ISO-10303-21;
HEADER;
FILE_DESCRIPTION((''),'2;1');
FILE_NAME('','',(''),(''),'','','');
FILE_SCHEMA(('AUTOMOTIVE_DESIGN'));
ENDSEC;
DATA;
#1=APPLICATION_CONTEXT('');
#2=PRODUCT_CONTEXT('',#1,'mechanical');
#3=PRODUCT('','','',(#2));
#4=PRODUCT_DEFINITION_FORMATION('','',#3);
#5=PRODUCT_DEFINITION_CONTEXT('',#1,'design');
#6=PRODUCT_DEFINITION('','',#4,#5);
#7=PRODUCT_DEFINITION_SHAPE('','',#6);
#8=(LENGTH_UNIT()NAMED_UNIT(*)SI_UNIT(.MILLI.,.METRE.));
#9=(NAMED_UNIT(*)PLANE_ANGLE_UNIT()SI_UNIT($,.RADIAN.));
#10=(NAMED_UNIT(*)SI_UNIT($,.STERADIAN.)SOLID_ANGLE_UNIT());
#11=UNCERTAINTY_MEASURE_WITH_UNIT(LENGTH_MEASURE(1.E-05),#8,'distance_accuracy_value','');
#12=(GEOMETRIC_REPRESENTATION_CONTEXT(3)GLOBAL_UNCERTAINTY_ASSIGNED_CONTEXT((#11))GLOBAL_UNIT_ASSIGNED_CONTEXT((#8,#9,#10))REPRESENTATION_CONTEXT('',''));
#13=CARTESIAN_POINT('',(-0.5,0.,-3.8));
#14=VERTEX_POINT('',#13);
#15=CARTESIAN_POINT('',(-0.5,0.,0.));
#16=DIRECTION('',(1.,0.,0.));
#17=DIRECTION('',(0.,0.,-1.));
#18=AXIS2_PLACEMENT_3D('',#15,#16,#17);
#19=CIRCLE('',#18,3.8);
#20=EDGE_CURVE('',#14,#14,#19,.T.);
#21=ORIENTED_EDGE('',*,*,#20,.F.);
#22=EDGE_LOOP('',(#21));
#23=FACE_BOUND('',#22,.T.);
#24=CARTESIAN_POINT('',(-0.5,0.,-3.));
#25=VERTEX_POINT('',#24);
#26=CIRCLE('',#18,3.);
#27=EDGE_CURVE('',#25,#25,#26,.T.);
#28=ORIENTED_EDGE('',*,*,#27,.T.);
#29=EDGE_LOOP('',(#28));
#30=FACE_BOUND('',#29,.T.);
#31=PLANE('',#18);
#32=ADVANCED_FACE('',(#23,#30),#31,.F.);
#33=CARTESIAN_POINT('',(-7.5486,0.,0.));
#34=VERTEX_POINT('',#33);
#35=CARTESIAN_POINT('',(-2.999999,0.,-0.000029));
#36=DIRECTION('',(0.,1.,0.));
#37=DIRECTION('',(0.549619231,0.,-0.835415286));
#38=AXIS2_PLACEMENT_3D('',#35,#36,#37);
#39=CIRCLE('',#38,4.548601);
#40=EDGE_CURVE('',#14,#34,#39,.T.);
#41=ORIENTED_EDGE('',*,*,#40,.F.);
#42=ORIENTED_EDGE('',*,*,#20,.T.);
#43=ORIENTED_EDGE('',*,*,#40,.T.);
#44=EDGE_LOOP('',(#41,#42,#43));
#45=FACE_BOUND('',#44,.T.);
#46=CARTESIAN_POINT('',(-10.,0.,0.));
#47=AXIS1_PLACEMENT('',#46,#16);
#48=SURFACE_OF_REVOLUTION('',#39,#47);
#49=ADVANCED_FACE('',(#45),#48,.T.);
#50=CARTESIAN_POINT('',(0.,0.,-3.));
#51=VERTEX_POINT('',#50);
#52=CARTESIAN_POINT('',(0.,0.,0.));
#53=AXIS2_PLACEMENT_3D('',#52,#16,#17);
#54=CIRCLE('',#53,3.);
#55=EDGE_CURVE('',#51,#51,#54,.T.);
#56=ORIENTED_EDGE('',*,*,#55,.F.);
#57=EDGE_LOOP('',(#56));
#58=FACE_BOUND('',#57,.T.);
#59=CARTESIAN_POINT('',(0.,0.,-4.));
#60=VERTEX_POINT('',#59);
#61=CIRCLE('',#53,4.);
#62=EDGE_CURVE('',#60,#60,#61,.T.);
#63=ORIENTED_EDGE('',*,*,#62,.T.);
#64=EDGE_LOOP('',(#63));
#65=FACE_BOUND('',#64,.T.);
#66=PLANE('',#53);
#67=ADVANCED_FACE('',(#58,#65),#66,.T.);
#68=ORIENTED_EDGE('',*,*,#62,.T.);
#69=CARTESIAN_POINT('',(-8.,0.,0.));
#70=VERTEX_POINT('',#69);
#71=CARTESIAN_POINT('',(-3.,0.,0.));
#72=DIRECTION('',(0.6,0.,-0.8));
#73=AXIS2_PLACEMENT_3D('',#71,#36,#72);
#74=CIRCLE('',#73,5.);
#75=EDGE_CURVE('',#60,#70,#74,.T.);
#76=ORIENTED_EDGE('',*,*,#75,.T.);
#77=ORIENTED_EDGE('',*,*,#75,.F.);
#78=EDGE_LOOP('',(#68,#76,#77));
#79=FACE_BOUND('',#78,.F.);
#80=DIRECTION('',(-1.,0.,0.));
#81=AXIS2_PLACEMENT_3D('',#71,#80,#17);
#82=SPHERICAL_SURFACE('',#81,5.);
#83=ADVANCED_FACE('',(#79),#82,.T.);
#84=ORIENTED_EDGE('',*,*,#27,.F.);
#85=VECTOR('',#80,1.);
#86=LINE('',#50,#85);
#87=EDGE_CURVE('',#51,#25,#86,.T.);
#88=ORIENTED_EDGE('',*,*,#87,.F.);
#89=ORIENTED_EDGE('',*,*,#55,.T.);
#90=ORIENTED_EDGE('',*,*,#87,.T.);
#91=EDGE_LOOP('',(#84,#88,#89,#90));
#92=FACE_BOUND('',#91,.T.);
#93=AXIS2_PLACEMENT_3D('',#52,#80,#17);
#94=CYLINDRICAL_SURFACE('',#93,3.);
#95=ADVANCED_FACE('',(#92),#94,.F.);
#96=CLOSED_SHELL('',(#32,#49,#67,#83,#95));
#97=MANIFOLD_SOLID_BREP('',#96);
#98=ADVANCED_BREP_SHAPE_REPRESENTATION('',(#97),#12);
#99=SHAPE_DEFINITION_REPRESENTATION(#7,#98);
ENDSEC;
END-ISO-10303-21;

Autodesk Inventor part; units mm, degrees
ref_plane "YZ Plane" through (0, 0, 0) normal (1, 0, 0) x (0, 1, 0)
ref_plane "XZ Plane" through (0, 0, 0) normal (0, 1, 0) x (-1, 0, 0)
ref_plane "XY Plane" through (0, 0, 0) normal (0, 0, 1) x (1, 0, 0)
sketch "Sketch1" plane through (0, 0, 0) normal (0, 1, 0) x (-1, 0, 0)
  arc A0 (0, -4) -> (8, 0) centre (3, 0) ccw
  arc A1 (0.5, -3.8) -> (7.5486, 0) centre (3, 0) ccw
  line L0 (0, -4) -> (0, -3)
  line L1 (0, -3) -> (0.5, -3)
  line L2 (0.5, -3) -> (0.5, -3.8)
  line L3 (8, 0) -> (7.5486, 0)
  line L4 (11.0833, 0) -> (-1.8472, 0) projected
  point P0 (0, 0)
  point P1 (0, 0)
  dimension "d1" = 10
  dimension "d5" = 4
  dimension "d6" = 1
  dimension "d7" = 0.5
  dimension "d8" = 0.8
  dimension "d9" = 8
  dimension "d10" = 0.4514
revolve "Revolution1" add sketch "Sketch1" angle 360 about axis through (-10, 0, 0) along (1, 0, 0)
properties part number "IndicatorLampCover"
